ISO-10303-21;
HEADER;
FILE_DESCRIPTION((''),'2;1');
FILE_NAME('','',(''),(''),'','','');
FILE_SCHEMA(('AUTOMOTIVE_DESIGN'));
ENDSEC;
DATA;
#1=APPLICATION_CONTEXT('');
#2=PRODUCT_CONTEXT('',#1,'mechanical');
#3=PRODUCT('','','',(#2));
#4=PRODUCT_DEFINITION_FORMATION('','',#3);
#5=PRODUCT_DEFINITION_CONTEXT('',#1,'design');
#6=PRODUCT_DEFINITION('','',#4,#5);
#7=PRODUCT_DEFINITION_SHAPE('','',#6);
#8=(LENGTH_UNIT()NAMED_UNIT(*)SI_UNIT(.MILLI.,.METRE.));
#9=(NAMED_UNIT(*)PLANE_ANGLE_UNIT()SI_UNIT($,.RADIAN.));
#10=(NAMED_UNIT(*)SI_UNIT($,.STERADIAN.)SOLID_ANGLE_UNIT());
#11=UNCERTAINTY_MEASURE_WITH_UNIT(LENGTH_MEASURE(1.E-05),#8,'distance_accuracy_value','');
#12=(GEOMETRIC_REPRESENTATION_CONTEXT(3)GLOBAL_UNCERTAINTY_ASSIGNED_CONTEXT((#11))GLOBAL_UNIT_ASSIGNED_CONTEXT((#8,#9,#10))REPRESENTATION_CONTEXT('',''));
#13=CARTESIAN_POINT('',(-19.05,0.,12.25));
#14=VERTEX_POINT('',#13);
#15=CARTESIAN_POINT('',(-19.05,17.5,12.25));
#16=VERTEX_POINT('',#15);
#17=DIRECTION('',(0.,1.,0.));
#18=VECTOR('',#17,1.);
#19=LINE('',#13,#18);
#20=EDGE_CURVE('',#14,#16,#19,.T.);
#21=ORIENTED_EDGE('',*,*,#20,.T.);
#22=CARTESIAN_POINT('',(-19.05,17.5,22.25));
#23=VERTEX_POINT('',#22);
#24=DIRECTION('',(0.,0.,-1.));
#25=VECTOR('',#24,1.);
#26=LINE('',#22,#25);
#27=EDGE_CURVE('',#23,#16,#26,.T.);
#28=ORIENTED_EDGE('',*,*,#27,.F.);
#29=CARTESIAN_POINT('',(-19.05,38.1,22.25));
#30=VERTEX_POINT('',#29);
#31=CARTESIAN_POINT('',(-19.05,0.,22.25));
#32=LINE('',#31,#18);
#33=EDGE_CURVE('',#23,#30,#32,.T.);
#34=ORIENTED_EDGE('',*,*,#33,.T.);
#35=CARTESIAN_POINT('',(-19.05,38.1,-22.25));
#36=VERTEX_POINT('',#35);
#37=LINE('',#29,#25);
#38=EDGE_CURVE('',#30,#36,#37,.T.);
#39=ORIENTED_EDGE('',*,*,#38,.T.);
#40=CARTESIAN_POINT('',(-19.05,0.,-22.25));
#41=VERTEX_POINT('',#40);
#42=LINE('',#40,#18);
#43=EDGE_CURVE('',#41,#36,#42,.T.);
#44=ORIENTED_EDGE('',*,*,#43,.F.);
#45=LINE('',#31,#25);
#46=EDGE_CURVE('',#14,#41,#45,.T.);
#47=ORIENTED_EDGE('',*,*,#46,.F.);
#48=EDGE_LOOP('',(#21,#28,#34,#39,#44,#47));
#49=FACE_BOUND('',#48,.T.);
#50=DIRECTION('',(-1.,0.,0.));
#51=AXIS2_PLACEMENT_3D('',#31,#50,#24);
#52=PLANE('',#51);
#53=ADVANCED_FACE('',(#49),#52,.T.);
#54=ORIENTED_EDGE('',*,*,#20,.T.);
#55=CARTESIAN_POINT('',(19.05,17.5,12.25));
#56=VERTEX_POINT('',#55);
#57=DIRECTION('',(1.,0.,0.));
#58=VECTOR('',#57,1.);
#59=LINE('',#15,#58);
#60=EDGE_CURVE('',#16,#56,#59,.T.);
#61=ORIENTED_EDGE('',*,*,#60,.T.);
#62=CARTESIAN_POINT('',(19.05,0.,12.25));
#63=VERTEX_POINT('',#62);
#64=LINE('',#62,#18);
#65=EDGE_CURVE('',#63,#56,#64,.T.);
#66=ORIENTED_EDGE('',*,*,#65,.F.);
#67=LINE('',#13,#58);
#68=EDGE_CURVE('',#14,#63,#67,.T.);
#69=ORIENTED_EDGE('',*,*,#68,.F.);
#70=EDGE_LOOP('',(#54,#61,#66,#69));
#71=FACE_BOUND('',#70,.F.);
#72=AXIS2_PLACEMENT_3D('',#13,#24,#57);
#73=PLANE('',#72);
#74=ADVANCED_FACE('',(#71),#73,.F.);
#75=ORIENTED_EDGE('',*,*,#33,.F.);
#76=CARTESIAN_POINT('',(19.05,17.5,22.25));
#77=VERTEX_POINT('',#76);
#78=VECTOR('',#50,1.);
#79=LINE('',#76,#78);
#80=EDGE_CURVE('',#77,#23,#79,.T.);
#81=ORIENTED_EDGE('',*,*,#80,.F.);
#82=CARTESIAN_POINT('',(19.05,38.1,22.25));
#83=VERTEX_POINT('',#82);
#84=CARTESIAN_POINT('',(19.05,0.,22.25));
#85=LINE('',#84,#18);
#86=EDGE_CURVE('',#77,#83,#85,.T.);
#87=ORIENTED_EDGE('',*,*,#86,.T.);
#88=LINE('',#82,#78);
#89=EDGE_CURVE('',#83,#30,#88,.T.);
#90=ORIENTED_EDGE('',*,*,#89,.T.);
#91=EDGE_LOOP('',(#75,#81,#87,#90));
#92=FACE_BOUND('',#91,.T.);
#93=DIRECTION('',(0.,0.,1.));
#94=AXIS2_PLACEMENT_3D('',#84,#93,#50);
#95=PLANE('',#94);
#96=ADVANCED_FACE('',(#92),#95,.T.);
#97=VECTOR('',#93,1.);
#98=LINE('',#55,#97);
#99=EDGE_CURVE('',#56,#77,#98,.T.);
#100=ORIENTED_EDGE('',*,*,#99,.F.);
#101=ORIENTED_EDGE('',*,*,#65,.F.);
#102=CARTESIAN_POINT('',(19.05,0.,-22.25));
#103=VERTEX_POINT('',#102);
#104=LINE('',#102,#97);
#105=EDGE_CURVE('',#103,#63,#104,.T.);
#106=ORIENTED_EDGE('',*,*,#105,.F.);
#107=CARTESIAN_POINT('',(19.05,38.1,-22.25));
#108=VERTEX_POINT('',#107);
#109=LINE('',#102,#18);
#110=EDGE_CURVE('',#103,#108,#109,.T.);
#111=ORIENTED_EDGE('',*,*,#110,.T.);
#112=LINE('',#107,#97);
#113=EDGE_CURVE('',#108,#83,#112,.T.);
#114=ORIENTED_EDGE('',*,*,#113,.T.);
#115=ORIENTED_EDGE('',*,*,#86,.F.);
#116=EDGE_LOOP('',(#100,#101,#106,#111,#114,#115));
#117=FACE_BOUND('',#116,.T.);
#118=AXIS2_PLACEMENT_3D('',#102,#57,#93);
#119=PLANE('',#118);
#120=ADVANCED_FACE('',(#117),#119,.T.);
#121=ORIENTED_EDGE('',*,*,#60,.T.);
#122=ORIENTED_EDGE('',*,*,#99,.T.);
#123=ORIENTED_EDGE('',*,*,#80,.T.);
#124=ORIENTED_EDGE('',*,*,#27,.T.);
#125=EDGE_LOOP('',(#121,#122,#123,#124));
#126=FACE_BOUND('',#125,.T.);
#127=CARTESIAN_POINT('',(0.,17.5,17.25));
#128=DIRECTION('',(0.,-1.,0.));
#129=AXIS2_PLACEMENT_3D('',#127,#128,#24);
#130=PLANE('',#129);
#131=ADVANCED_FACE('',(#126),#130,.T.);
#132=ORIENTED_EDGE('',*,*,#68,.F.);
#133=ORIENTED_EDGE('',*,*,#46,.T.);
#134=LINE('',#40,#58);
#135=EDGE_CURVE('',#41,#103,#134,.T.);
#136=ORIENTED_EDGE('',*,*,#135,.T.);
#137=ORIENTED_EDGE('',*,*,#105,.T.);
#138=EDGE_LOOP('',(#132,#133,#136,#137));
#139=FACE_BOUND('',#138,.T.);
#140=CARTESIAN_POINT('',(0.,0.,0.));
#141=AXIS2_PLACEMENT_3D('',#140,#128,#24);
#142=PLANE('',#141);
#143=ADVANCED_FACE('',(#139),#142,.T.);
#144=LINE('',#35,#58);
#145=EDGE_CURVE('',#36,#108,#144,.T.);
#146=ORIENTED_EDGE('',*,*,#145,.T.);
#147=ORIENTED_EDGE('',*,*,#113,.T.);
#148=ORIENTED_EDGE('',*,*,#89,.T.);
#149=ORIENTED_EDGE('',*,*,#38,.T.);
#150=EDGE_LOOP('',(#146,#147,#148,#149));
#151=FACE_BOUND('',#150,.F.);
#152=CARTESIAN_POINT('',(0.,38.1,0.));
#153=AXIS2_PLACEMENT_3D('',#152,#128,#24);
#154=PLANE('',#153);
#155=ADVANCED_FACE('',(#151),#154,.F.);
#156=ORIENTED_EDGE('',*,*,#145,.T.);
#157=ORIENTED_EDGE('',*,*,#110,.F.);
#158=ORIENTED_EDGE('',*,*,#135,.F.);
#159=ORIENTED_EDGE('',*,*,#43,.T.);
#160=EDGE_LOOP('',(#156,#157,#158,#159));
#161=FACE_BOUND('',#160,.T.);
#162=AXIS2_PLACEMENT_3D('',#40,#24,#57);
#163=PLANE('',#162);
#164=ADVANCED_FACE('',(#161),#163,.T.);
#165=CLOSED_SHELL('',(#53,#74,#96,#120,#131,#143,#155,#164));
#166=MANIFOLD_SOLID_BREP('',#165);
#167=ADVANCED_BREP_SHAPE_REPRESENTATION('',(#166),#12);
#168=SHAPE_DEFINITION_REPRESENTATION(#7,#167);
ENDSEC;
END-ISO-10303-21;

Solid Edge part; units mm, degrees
sketch "Sketch1" plane through (0, 0, 0) normal (0, -1, 0) x (1, 0, 0)
  line L0 (19.05, 22.25) -> (-19.05, 22.25)
  line L1 (-19.05, 22.25) -> (-19.05, -22.25)
  line L2 (-19.05, -22.25) -> (19.05, -22.25)
  line L3 (19.05, -22.25) -> (19.05, 22.25)
extrude "Protrusion1" add sketch "Sketch1" against normal blind 38.1
sketch "Sketch2" plane through (0, 0, 0) normal (0, -1, 0) x (1, 0, 0)
  line L0 (-19.05, 22.25) -> (-19.05, 12.25)
  line L1 (-19.05, 12.25) -> (19.05, 12.25)
  line L2 (19.05, 12.25) -> (19.05, 22.25)
  line L3 (19.05, 22.25) -> (-19.05, 22.25)
extrude "ExtrudedCutout_1" cut sketch "Sketch2" against normal blind 17.5
